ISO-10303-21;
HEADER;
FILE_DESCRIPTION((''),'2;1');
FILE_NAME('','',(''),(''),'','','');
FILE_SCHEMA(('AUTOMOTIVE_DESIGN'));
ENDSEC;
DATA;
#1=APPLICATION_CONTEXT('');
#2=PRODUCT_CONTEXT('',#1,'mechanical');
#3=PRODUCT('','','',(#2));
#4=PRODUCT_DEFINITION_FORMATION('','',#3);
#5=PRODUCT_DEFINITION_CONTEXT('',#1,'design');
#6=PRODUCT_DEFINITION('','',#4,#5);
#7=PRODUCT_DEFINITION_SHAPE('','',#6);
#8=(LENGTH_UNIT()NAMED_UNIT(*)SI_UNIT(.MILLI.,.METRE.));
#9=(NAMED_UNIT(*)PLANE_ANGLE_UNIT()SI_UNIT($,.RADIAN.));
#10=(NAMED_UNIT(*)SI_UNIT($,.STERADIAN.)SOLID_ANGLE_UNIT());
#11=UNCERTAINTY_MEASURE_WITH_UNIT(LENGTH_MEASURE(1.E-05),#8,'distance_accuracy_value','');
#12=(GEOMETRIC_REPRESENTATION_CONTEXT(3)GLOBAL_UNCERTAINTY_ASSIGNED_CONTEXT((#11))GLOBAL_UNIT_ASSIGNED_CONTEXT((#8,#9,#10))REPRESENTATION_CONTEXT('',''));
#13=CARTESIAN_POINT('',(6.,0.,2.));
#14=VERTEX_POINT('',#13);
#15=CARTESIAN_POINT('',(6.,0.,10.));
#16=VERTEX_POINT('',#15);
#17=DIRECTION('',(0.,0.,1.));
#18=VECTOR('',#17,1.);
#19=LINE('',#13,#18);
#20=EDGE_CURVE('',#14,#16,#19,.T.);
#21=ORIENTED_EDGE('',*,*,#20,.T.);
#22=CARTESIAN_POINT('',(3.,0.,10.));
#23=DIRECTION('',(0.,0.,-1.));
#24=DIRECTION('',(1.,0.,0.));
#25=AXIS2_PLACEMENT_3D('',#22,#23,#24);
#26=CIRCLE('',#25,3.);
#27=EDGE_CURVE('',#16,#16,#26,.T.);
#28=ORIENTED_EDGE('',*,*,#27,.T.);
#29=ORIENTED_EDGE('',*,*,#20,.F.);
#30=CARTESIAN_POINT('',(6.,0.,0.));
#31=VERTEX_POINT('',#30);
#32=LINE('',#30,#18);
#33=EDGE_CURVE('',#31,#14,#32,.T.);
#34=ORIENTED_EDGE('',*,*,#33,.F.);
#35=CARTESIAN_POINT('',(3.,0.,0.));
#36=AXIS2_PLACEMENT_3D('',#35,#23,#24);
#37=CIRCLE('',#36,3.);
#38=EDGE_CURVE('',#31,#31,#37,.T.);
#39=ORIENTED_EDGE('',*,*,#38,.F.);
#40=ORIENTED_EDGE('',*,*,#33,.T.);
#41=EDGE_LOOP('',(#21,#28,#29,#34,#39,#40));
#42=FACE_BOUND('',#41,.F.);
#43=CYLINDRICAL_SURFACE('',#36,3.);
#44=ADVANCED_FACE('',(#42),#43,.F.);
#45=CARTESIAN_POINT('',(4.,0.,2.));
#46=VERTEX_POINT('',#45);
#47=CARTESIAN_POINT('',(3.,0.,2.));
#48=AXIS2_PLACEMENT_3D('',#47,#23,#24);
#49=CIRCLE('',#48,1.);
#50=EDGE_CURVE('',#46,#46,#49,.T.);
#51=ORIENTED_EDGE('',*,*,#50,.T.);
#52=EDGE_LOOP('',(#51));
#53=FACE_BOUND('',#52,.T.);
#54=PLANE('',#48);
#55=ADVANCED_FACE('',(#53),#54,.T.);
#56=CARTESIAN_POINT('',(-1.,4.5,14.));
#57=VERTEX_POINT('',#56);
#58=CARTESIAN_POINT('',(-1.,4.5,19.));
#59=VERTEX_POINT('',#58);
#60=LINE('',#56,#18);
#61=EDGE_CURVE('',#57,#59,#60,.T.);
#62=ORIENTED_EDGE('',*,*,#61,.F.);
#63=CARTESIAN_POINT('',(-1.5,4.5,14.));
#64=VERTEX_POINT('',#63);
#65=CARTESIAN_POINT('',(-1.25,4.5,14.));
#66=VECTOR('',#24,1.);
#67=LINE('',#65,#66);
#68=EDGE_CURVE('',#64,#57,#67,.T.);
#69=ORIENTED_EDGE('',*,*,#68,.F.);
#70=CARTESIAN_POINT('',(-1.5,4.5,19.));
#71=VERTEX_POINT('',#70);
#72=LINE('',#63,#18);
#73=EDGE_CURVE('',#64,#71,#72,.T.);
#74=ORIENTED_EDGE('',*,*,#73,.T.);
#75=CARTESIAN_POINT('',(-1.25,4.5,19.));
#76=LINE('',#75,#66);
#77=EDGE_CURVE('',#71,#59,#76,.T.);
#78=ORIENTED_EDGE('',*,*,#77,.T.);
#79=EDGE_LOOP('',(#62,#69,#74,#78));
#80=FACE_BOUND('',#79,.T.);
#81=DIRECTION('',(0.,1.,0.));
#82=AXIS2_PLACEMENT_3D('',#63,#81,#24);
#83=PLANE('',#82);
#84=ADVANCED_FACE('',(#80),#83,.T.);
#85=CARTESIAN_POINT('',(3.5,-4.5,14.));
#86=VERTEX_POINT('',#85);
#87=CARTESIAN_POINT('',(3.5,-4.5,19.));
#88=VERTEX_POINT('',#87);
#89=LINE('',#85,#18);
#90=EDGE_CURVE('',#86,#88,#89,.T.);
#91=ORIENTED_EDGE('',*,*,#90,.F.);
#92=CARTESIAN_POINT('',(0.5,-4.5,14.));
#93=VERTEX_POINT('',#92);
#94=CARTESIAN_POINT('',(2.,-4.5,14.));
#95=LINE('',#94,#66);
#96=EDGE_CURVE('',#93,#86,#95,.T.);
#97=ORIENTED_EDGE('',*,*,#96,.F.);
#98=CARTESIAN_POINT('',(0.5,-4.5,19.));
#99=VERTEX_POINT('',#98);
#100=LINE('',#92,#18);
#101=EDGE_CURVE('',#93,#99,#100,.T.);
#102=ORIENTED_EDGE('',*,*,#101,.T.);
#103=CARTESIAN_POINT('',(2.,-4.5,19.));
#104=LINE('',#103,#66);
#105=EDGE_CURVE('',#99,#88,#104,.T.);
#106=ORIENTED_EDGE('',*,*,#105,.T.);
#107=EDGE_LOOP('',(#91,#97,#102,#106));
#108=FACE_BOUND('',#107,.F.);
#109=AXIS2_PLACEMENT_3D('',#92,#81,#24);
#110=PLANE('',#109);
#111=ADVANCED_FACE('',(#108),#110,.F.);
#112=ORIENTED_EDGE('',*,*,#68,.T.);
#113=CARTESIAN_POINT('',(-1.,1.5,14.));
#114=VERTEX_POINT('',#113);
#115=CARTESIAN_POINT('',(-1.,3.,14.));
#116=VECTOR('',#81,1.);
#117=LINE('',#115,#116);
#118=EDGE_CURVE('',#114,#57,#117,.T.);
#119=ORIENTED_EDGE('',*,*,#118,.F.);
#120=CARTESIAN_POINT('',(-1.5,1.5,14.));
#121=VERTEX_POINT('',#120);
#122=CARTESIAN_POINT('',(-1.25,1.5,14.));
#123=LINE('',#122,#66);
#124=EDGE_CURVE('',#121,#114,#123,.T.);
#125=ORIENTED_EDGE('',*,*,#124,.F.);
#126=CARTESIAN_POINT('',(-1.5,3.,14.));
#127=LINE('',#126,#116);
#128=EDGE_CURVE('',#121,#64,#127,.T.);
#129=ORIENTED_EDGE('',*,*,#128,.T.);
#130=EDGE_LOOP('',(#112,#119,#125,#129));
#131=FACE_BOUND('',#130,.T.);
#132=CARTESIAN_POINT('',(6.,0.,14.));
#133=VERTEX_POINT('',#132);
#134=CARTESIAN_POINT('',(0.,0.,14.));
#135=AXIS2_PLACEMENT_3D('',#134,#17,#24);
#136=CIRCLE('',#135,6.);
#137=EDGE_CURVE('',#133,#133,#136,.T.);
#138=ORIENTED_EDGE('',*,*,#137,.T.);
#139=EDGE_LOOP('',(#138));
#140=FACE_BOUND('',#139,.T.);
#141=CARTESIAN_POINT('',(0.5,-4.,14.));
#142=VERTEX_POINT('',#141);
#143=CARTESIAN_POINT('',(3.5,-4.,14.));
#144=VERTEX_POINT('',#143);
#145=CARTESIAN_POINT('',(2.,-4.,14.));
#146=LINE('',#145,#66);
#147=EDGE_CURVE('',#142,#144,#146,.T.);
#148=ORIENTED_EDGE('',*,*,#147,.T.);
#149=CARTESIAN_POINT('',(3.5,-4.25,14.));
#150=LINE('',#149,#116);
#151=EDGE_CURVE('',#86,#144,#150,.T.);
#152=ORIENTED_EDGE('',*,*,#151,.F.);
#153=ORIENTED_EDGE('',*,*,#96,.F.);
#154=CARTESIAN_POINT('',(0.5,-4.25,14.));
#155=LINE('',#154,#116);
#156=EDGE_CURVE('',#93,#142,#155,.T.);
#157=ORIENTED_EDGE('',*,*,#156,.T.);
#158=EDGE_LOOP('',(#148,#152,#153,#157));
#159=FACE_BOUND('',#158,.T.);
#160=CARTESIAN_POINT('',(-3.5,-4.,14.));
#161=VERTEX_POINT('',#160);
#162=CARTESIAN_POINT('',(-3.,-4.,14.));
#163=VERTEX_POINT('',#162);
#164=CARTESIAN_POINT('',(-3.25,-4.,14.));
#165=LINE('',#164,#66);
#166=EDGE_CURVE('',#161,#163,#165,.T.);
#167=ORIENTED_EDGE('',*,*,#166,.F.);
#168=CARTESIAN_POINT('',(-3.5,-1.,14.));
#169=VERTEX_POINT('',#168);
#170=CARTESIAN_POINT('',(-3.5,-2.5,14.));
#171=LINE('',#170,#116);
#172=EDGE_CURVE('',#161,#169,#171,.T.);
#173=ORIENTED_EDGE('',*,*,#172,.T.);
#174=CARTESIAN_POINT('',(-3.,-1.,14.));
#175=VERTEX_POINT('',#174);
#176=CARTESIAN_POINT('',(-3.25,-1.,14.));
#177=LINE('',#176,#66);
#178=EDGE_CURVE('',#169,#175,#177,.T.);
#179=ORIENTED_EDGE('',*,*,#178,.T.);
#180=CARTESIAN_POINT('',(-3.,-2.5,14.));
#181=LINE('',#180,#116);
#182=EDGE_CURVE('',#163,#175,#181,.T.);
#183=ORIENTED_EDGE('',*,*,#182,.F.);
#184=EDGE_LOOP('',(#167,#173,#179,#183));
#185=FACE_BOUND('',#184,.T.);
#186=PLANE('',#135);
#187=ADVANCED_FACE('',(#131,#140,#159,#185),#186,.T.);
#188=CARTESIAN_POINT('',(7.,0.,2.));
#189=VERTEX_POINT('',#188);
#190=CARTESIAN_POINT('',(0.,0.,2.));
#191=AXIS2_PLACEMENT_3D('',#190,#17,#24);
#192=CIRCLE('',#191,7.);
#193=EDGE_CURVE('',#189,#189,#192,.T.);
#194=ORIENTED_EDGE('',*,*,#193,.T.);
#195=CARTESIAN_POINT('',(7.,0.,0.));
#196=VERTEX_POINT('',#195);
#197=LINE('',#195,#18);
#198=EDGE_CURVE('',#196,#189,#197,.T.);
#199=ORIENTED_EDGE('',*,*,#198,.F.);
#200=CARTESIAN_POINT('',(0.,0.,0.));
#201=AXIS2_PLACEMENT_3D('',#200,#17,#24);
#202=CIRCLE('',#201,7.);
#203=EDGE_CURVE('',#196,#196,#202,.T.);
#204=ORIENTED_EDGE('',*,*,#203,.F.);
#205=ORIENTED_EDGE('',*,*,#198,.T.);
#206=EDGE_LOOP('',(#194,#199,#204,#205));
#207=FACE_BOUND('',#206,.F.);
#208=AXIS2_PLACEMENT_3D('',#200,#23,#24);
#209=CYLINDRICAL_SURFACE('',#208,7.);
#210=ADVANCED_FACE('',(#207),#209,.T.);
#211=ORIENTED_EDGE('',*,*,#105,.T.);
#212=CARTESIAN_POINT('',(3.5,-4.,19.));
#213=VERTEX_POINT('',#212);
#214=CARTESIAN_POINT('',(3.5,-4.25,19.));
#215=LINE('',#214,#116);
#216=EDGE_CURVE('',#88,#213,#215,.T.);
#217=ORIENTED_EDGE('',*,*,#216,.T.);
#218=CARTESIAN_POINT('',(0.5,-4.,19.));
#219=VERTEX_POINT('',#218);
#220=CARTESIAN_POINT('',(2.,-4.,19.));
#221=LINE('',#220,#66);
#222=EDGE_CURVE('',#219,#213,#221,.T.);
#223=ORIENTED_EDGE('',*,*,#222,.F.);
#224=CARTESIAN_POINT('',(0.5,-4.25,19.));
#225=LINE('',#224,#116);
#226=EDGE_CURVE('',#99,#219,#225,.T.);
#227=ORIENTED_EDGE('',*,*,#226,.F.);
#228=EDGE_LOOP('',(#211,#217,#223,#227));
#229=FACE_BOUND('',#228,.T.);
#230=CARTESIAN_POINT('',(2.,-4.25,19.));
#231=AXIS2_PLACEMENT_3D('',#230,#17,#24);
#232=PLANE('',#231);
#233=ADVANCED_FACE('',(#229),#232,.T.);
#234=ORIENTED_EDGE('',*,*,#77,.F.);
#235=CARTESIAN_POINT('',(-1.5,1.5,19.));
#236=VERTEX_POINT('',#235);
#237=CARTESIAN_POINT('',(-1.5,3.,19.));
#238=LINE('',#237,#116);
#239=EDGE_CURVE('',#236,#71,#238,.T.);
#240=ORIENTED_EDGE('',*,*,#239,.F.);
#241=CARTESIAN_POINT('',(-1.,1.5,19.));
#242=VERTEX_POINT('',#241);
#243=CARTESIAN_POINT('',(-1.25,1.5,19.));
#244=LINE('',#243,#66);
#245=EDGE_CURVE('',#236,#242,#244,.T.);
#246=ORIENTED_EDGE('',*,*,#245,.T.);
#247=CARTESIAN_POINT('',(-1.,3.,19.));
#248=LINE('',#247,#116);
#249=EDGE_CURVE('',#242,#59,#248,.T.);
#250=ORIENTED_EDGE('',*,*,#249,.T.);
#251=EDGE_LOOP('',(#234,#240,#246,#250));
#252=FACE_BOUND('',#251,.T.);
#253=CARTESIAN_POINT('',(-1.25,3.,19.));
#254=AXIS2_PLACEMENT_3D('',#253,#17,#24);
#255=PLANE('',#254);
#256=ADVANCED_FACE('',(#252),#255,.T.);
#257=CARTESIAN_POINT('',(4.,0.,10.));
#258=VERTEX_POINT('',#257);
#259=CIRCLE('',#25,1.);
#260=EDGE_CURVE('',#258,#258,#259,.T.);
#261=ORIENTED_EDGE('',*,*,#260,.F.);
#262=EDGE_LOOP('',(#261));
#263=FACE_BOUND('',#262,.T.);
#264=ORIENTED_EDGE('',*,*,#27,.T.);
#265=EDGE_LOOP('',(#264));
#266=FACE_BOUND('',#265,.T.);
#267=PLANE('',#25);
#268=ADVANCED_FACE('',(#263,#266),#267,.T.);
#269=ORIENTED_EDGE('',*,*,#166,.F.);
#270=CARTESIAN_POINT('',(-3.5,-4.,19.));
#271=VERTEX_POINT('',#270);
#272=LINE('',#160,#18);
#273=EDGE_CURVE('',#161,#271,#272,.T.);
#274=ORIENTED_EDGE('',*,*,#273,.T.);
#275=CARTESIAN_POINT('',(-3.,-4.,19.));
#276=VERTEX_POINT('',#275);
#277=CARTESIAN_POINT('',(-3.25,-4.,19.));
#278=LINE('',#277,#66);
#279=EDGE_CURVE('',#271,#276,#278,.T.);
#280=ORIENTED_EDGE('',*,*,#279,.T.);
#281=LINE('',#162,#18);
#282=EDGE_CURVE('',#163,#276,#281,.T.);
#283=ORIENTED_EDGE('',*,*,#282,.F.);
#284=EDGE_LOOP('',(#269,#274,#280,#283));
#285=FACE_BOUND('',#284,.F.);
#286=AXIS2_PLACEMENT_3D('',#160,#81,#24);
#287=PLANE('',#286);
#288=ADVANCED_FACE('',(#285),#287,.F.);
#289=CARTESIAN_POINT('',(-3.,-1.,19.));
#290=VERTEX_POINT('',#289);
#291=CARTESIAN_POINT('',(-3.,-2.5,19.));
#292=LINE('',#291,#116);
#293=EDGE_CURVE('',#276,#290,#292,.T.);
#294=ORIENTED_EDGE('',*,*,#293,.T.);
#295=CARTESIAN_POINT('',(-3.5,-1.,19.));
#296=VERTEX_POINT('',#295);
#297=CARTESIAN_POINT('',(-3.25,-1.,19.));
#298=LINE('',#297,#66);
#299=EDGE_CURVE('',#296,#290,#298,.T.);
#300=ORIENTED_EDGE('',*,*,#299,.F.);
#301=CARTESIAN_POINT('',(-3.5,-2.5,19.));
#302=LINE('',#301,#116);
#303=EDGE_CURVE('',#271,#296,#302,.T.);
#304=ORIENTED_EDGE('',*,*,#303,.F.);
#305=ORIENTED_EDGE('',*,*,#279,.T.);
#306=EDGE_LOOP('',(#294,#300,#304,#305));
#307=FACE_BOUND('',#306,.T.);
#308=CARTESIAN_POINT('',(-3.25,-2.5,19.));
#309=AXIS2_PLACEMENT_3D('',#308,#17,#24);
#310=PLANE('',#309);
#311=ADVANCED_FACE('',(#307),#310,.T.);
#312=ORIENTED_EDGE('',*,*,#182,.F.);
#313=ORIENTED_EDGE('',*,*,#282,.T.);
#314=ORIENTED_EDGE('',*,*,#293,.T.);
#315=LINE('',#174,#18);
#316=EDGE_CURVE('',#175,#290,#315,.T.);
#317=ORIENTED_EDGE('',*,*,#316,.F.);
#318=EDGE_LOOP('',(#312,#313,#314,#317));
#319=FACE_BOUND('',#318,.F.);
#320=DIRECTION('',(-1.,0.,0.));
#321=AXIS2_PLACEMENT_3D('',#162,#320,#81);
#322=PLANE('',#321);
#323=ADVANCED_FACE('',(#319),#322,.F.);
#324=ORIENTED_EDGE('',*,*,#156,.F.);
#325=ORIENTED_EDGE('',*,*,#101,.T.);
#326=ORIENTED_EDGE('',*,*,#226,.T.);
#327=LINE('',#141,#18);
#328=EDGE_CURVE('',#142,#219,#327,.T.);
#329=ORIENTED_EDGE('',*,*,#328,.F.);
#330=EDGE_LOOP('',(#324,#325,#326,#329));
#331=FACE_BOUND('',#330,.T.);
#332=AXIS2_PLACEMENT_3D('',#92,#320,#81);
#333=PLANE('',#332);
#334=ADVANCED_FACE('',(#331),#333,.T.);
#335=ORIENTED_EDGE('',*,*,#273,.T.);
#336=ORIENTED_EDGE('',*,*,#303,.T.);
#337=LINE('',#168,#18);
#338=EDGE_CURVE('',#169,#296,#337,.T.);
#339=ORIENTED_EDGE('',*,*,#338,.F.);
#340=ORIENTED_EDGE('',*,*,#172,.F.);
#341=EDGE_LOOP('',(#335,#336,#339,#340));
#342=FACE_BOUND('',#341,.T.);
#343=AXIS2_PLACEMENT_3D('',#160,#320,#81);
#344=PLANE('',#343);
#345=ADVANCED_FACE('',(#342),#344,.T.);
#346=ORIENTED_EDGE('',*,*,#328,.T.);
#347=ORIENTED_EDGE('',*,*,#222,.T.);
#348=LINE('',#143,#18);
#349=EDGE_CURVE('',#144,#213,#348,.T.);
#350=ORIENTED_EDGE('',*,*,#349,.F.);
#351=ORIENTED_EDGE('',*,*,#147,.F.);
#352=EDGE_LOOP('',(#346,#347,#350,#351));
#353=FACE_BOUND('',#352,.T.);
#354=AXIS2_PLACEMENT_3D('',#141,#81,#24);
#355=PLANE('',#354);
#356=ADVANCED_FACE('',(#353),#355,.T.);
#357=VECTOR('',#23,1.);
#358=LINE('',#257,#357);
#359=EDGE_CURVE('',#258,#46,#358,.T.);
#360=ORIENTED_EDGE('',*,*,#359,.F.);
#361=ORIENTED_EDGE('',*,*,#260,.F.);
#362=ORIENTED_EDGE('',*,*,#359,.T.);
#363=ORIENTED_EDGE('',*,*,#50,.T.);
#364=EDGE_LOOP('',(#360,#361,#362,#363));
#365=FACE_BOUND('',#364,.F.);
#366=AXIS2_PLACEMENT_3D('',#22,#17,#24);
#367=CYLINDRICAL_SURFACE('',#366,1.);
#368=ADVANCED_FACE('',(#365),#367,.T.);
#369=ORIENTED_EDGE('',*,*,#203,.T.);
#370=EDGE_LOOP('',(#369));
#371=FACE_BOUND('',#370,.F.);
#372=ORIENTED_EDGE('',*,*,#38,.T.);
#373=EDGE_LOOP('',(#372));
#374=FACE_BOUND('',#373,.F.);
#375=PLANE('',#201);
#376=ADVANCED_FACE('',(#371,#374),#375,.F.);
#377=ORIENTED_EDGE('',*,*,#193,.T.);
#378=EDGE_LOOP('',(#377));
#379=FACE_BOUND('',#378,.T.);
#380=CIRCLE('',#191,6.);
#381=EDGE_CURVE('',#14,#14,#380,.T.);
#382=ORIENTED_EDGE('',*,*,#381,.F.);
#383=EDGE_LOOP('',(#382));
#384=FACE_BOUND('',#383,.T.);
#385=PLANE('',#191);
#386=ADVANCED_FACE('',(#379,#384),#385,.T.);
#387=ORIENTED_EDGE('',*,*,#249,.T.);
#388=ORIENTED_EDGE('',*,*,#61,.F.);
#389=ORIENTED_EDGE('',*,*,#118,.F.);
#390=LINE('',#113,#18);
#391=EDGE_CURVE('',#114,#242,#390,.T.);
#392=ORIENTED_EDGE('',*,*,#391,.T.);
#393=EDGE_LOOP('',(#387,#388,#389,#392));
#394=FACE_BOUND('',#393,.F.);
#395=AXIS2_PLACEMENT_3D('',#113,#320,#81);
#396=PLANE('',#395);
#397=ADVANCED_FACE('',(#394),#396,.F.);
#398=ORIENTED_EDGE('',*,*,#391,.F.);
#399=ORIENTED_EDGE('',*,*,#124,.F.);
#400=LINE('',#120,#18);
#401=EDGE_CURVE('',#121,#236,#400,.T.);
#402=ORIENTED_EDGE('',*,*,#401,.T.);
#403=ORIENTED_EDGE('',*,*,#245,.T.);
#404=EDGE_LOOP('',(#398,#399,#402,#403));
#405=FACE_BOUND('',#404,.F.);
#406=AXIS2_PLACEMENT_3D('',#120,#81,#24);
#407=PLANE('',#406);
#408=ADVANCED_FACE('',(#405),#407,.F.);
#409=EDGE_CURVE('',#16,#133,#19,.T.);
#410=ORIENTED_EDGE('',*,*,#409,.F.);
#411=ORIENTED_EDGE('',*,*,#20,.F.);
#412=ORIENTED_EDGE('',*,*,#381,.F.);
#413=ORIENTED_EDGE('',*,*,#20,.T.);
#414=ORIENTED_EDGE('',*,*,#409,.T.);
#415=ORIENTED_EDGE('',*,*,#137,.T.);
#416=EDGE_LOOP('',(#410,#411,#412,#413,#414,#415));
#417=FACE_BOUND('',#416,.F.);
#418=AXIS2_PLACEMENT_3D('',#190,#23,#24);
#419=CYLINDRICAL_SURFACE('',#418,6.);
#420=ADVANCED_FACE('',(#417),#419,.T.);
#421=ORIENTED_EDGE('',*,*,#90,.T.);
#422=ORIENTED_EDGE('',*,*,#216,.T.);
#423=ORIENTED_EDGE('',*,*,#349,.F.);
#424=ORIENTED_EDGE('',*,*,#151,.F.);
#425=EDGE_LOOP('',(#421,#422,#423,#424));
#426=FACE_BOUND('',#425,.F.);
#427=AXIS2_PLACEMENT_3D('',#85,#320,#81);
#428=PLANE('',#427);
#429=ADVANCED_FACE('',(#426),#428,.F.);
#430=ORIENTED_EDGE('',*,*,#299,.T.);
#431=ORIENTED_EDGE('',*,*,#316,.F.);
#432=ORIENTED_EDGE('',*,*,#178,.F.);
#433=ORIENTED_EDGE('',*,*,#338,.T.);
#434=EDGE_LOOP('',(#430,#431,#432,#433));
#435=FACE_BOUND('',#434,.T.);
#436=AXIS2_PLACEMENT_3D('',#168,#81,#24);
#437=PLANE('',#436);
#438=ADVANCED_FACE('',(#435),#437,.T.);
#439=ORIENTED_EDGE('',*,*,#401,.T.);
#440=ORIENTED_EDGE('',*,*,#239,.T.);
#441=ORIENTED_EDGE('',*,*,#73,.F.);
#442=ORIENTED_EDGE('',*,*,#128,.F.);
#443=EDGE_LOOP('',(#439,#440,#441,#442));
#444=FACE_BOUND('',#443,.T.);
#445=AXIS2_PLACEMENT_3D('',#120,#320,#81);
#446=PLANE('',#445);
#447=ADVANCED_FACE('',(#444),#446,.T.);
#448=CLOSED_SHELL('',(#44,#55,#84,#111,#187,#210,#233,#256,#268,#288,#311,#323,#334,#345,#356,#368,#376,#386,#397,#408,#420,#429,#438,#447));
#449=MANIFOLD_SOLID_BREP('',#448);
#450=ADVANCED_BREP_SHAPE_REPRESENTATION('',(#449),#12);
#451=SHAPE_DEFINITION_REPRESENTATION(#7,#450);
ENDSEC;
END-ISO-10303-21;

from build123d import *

# Parameters (mm, degrees)
SKETCH_R      = 7
PAD_DEPTH     = 2
SKETCH001_R   = 6
PAD001_DEPTH  = 12
SKETCH002_W   = 0.5
SKETCH002_H   = 3
SKETCH002_W_2 = 3
SKETCH002_H_2 = 0.5
PAD002_DEPTH  = 5
SKETCH003_R   = 3
POCKET_DEPTH  = 10
SKETCH004_R   = 1
PAD003_DEPTH  = 8


with BuildPart() as part:
    # Sketch → Pad (new body)
    with BuildSketch(Plane.XY):
        Circle(SKETCH_R)
    extrude(amount=PAD_DEPTH)

    # Sketch001 (on Face3 of Pad) → Pad001 (join)
    with BuildSketch(Plane.XY.offset(2)):
        Circle(SKETCH001_R)
    extrude(amount=PAD001_DEPTH)

    # Sketch002 (on Face5 of Pad001) → Pad002 (join)
    with BuildSketch(Plane.XY.offset(14)):
        with Locations((-1.25, 3)):
            Rectangle(SKETCH002_W, SKETCH002_H)
        with Locations((-3.25, -2.5)):
            Rectangle(SKETCH002_W, SKETCH002_H)
        with Locations((2, -4.25)):
            Rectangle(SKETCH002_W_2, SKETCH002_H_2)
    extrude(amount=PAD002_DEPTH)

    # Sketch003 (on Face2 of Pad002) → Pocket (cut)
    with BuildSketch(Plane(origin=(0, 0, 0), x_dir=(1, 0, 0), z_dir=(0, 0, -1))):
        with Locations((3, 0)):
            Circle(SKETCH003_R)
    extrude(amount=-POCKET_DEPTH, mode=Mode.SUBTRACT)

    # Sketch004 (on Face6 of Pocket) → Pad003 (join)
    with BuildSketch(Plane(origin=(0, 0, 10), x_dir=(1, 0, 0), z_dir=(0, 0, -1))):
        with Locations((3, 0)):
            Circle(SKETCH004_R)
    extrude(amount=PAD003_DEPTH)


solid = part.part
